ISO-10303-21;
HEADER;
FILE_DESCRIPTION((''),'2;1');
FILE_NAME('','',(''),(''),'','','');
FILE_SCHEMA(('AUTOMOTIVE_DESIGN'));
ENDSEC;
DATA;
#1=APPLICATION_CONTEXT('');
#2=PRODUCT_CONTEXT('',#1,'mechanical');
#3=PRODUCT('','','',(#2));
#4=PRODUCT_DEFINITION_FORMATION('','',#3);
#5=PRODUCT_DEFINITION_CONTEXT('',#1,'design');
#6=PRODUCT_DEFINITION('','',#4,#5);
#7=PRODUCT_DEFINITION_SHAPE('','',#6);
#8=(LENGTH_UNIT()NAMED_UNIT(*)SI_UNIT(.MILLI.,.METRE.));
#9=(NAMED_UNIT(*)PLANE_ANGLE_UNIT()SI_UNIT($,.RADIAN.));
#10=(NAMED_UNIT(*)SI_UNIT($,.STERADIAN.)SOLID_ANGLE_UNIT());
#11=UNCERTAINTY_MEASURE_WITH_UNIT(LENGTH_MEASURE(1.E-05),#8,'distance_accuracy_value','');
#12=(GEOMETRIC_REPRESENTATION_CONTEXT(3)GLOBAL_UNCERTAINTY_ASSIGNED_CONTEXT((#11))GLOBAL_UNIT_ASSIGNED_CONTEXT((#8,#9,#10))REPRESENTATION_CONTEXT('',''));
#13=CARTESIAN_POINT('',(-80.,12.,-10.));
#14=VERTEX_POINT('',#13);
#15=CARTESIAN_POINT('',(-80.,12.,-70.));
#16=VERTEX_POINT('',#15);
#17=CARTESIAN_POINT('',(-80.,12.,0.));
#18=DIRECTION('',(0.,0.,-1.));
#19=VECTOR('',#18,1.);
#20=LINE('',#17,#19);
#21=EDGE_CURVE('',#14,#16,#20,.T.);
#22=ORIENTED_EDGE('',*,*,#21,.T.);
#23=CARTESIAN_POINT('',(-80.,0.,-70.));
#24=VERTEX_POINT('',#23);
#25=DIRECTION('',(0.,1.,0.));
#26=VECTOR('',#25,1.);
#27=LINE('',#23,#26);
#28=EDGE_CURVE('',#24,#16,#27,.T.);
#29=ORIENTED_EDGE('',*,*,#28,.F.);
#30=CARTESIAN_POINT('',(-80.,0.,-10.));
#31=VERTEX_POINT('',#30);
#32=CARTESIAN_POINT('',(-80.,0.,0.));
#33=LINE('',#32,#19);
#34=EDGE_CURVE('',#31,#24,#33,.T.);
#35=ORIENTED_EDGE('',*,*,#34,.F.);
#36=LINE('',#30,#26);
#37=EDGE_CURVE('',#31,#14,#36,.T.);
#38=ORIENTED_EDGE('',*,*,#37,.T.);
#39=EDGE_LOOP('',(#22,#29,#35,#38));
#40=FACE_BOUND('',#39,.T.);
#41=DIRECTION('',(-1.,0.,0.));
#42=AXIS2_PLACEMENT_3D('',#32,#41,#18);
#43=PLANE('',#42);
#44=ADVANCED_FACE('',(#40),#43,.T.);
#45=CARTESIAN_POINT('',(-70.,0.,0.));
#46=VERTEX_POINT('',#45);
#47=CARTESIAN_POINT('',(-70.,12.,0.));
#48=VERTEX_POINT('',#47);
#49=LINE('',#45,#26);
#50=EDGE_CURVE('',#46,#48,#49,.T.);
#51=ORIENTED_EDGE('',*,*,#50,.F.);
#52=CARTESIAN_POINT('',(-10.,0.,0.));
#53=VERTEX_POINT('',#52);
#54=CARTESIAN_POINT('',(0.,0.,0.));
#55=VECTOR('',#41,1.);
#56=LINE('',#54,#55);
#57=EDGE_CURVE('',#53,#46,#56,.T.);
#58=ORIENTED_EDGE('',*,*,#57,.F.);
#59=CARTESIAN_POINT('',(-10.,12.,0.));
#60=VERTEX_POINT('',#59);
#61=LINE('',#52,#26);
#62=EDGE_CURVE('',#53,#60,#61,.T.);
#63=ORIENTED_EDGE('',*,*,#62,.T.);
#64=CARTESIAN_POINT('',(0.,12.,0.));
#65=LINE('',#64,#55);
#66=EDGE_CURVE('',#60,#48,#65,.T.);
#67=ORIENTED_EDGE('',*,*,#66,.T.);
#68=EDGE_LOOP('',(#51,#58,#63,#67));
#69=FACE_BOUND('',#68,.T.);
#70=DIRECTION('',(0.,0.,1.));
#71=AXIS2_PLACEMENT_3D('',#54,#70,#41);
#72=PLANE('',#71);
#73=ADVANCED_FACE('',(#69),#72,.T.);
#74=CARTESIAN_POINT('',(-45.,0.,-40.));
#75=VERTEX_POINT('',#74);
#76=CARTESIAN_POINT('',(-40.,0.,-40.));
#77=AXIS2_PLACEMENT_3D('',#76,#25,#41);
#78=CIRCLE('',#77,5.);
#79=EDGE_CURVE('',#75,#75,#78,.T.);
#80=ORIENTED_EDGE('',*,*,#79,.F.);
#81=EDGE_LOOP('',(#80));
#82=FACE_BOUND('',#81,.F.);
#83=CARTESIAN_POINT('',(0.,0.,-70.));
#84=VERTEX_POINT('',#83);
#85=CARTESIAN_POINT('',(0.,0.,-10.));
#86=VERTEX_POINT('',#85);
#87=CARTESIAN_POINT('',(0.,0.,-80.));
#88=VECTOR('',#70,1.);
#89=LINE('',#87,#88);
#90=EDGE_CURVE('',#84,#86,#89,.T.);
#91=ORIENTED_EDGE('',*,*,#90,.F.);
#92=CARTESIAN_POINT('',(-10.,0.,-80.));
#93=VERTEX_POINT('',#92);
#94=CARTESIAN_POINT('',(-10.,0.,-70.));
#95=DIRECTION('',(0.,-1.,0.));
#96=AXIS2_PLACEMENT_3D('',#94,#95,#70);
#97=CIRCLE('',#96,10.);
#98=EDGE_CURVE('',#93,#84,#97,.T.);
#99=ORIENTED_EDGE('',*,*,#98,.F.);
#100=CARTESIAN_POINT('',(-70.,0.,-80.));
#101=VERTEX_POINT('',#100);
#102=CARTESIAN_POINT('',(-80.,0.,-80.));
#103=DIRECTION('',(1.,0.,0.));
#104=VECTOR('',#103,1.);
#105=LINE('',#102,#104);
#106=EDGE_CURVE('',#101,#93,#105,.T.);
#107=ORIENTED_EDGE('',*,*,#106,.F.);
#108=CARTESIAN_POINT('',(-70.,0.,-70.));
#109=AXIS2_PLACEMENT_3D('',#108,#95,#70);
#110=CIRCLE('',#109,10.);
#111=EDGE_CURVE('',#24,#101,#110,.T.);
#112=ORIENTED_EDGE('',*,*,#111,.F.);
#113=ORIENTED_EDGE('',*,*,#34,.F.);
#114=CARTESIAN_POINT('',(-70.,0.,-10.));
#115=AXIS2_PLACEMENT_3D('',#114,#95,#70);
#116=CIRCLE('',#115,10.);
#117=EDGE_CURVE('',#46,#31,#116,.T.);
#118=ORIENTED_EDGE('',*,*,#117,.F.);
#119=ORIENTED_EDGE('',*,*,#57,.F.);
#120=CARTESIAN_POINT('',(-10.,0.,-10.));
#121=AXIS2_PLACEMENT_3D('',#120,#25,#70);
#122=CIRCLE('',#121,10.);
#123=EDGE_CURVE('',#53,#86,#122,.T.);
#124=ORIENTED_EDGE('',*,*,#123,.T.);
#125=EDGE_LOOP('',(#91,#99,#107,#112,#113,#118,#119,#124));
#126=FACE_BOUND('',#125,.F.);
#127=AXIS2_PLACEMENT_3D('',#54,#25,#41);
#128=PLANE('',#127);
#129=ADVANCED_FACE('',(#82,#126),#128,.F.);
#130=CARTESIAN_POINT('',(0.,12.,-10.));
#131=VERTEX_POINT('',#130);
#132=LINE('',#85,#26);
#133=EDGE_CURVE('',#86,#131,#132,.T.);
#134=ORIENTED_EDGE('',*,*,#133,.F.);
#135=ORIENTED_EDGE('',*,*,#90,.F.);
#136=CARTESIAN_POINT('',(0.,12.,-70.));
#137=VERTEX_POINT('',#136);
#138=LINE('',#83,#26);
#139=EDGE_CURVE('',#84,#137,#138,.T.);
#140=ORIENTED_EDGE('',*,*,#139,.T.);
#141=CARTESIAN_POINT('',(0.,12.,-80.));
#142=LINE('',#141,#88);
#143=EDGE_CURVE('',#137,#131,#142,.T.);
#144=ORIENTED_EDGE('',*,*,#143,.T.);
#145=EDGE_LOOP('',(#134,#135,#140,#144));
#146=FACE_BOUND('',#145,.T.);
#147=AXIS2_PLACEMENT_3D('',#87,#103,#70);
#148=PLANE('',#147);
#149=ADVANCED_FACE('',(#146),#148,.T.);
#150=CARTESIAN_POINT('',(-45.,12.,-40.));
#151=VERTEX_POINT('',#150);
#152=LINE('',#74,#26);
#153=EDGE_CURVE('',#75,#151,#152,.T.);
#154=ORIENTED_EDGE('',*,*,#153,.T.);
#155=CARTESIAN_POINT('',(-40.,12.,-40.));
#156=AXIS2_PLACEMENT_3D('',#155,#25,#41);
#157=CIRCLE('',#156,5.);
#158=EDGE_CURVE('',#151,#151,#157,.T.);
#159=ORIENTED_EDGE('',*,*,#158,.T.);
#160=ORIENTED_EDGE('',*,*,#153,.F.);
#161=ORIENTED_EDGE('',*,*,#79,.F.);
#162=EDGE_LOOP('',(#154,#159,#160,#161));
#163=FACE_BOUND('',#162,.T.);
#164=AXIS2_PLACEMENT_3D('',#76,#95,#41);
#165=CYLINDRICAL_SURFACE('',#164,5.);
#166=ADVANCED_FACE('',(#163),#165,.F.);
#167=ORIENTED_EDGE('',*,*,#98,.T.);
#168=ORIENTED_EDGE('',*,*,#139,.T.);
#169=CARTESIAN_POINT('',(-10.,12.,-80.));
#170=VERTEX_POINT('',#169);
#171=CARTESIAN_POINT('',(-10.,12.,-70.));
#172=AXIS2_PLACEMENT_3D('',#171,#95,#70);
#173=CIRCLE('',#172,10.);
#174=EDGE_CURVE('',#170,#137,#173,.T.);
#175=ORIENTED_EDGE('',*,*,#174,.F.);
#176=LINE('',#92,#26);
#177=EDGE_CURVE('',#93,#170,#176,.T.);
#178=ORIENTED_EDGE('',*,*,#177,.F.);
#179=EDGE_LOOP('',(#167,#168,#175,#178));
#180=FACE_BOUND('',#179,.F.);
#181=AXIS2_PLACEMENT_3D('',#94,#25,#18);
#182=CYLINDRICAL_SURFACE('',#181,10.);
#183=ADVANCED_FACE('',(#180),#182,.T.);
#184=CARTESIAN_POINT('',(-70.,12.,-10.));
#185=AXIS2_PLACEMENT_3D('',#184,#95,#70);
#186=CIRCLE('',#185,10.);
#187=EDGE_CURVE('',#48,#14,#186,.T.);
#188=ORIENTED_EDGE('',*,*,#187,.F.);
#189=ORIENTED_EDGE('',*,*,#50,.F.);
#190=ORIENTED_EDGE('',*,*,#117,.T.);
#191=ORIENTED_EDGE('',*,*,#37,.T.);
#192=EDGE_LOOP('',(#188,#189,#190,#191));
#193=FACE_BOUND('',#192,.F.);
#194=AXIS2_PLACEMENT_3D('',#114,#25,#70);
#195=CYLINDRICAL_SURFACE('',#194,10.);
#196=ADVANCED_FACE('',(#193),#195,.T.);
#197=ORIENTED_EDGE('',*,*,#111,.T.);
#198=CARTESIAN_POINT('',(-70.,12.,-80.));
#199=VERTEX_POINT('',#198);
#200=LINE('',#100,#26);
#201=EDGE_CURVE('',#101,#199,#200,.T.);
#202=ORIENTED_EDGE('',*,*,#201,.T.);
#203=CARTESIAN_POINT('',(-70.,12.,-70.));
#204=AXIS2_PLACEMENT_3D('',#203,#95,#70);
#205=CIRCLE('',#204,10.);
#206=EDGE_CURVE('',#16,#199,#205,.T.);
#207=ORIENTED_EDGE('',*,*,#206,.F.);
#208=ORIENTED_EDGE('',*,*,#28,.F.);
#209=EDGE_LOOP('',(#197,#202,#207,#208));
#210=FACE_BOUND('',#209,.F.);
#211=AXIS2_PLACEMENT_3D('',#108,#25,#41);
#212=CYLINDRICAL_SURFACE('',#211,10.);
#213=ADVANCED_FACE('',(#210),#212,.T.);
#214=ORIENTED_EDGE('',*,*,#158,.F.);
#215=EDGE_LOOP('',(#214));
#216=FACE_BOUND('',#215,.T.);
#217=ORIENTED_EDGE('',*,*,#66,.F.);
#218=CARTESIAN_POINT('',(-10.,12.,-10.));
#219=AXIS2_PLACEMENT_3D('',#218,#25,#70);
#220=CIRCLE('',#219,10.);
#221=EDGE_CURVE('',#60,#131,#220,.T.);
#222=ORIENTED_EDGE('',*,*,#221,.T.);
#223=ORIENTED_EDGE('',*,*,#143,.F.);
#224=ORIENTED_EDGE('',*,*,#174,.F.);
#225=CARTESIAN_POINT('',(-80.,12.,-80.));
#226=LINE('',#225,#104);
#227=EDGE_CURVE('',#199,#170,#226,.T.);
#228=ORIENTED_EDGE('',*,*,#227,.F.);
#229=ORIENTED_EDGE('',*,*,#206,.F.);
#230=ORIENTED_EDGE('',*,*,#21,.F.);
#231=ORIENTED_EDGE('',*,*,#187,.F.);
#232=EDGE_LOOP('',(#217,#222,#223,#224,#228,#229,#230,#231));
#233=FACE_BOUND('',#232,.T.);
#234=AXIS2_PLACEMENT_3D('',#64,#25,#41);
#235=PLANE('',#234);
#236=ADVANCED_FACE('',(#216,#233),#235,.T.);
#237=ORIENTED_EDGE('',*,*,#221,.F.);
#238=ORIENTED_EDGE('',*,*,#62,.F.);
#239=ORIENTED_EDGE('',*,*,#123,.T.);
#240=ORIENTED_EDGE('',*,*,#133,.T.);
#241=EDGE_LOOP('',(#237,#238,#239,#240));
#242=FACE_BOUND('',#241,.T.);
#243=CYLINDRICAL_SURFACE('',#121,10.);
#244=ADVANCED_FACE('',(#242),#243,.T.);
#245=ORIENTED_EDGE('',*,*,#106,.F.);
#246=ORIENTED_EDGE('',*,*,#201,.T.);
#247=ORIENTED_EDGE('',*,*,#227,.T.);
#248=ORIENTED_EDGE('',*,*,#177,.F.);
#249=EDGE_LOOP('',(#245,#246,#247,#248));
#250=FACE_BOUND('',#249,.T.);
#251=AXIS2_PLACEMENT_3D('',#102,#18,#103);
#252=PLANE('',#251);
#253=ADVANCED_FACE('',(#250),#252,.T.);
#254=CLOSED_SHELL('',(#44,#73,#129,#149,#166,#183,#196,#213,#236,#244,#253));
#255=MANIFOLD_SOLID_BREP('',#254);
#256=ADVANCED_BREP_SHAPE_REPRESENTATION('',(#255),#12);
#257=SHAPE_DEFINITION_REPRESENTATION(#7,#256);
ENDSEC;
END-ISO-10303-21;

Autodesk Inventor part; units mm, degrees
ref_plane "YZ Plane" through (0, 0, 0) normal (1, 0, 0) x (0, 1, 0)
ref_plane "XZ Plane" through (0, 0, 0) normal (0, 1, 0) x (-1, 0, 0)
ref_plane "XY Plane" through (0, 0, 0) normal (0, 0, 1) x (1, 0, 0)
sketch "Esboço1" plane through (0, 0, 0) normal (0, 1, 0) x (-1, 0, 0)
  line L0 (0, 0) -> (80, 0)
  line L1 (80, 0) -> (80, -80)
  line L2 (80, -80) -> (0, -80)
  line L3 (0, -80) -> (0, 0)
  circle A0 centre (40, -40) radius 5
  dimension "d0" = 80
  dimension "d1" = 80
  dimension "d2" = 10
extrude "Extrusão1" add sketch "Esboço1" along normal blind 12
fillet "Arredondamento1" radius 10 4 edges at (-80, 6, 0) (0, 6, 0) (0, 6, -80) (-80, 6, -80)
sketch "Esboço2" plane through (0, 12, 0) normal (0, 1, 0) x (1, 0, 0)
  point P0 (0, 0)
properties part number "Corpo_1"
